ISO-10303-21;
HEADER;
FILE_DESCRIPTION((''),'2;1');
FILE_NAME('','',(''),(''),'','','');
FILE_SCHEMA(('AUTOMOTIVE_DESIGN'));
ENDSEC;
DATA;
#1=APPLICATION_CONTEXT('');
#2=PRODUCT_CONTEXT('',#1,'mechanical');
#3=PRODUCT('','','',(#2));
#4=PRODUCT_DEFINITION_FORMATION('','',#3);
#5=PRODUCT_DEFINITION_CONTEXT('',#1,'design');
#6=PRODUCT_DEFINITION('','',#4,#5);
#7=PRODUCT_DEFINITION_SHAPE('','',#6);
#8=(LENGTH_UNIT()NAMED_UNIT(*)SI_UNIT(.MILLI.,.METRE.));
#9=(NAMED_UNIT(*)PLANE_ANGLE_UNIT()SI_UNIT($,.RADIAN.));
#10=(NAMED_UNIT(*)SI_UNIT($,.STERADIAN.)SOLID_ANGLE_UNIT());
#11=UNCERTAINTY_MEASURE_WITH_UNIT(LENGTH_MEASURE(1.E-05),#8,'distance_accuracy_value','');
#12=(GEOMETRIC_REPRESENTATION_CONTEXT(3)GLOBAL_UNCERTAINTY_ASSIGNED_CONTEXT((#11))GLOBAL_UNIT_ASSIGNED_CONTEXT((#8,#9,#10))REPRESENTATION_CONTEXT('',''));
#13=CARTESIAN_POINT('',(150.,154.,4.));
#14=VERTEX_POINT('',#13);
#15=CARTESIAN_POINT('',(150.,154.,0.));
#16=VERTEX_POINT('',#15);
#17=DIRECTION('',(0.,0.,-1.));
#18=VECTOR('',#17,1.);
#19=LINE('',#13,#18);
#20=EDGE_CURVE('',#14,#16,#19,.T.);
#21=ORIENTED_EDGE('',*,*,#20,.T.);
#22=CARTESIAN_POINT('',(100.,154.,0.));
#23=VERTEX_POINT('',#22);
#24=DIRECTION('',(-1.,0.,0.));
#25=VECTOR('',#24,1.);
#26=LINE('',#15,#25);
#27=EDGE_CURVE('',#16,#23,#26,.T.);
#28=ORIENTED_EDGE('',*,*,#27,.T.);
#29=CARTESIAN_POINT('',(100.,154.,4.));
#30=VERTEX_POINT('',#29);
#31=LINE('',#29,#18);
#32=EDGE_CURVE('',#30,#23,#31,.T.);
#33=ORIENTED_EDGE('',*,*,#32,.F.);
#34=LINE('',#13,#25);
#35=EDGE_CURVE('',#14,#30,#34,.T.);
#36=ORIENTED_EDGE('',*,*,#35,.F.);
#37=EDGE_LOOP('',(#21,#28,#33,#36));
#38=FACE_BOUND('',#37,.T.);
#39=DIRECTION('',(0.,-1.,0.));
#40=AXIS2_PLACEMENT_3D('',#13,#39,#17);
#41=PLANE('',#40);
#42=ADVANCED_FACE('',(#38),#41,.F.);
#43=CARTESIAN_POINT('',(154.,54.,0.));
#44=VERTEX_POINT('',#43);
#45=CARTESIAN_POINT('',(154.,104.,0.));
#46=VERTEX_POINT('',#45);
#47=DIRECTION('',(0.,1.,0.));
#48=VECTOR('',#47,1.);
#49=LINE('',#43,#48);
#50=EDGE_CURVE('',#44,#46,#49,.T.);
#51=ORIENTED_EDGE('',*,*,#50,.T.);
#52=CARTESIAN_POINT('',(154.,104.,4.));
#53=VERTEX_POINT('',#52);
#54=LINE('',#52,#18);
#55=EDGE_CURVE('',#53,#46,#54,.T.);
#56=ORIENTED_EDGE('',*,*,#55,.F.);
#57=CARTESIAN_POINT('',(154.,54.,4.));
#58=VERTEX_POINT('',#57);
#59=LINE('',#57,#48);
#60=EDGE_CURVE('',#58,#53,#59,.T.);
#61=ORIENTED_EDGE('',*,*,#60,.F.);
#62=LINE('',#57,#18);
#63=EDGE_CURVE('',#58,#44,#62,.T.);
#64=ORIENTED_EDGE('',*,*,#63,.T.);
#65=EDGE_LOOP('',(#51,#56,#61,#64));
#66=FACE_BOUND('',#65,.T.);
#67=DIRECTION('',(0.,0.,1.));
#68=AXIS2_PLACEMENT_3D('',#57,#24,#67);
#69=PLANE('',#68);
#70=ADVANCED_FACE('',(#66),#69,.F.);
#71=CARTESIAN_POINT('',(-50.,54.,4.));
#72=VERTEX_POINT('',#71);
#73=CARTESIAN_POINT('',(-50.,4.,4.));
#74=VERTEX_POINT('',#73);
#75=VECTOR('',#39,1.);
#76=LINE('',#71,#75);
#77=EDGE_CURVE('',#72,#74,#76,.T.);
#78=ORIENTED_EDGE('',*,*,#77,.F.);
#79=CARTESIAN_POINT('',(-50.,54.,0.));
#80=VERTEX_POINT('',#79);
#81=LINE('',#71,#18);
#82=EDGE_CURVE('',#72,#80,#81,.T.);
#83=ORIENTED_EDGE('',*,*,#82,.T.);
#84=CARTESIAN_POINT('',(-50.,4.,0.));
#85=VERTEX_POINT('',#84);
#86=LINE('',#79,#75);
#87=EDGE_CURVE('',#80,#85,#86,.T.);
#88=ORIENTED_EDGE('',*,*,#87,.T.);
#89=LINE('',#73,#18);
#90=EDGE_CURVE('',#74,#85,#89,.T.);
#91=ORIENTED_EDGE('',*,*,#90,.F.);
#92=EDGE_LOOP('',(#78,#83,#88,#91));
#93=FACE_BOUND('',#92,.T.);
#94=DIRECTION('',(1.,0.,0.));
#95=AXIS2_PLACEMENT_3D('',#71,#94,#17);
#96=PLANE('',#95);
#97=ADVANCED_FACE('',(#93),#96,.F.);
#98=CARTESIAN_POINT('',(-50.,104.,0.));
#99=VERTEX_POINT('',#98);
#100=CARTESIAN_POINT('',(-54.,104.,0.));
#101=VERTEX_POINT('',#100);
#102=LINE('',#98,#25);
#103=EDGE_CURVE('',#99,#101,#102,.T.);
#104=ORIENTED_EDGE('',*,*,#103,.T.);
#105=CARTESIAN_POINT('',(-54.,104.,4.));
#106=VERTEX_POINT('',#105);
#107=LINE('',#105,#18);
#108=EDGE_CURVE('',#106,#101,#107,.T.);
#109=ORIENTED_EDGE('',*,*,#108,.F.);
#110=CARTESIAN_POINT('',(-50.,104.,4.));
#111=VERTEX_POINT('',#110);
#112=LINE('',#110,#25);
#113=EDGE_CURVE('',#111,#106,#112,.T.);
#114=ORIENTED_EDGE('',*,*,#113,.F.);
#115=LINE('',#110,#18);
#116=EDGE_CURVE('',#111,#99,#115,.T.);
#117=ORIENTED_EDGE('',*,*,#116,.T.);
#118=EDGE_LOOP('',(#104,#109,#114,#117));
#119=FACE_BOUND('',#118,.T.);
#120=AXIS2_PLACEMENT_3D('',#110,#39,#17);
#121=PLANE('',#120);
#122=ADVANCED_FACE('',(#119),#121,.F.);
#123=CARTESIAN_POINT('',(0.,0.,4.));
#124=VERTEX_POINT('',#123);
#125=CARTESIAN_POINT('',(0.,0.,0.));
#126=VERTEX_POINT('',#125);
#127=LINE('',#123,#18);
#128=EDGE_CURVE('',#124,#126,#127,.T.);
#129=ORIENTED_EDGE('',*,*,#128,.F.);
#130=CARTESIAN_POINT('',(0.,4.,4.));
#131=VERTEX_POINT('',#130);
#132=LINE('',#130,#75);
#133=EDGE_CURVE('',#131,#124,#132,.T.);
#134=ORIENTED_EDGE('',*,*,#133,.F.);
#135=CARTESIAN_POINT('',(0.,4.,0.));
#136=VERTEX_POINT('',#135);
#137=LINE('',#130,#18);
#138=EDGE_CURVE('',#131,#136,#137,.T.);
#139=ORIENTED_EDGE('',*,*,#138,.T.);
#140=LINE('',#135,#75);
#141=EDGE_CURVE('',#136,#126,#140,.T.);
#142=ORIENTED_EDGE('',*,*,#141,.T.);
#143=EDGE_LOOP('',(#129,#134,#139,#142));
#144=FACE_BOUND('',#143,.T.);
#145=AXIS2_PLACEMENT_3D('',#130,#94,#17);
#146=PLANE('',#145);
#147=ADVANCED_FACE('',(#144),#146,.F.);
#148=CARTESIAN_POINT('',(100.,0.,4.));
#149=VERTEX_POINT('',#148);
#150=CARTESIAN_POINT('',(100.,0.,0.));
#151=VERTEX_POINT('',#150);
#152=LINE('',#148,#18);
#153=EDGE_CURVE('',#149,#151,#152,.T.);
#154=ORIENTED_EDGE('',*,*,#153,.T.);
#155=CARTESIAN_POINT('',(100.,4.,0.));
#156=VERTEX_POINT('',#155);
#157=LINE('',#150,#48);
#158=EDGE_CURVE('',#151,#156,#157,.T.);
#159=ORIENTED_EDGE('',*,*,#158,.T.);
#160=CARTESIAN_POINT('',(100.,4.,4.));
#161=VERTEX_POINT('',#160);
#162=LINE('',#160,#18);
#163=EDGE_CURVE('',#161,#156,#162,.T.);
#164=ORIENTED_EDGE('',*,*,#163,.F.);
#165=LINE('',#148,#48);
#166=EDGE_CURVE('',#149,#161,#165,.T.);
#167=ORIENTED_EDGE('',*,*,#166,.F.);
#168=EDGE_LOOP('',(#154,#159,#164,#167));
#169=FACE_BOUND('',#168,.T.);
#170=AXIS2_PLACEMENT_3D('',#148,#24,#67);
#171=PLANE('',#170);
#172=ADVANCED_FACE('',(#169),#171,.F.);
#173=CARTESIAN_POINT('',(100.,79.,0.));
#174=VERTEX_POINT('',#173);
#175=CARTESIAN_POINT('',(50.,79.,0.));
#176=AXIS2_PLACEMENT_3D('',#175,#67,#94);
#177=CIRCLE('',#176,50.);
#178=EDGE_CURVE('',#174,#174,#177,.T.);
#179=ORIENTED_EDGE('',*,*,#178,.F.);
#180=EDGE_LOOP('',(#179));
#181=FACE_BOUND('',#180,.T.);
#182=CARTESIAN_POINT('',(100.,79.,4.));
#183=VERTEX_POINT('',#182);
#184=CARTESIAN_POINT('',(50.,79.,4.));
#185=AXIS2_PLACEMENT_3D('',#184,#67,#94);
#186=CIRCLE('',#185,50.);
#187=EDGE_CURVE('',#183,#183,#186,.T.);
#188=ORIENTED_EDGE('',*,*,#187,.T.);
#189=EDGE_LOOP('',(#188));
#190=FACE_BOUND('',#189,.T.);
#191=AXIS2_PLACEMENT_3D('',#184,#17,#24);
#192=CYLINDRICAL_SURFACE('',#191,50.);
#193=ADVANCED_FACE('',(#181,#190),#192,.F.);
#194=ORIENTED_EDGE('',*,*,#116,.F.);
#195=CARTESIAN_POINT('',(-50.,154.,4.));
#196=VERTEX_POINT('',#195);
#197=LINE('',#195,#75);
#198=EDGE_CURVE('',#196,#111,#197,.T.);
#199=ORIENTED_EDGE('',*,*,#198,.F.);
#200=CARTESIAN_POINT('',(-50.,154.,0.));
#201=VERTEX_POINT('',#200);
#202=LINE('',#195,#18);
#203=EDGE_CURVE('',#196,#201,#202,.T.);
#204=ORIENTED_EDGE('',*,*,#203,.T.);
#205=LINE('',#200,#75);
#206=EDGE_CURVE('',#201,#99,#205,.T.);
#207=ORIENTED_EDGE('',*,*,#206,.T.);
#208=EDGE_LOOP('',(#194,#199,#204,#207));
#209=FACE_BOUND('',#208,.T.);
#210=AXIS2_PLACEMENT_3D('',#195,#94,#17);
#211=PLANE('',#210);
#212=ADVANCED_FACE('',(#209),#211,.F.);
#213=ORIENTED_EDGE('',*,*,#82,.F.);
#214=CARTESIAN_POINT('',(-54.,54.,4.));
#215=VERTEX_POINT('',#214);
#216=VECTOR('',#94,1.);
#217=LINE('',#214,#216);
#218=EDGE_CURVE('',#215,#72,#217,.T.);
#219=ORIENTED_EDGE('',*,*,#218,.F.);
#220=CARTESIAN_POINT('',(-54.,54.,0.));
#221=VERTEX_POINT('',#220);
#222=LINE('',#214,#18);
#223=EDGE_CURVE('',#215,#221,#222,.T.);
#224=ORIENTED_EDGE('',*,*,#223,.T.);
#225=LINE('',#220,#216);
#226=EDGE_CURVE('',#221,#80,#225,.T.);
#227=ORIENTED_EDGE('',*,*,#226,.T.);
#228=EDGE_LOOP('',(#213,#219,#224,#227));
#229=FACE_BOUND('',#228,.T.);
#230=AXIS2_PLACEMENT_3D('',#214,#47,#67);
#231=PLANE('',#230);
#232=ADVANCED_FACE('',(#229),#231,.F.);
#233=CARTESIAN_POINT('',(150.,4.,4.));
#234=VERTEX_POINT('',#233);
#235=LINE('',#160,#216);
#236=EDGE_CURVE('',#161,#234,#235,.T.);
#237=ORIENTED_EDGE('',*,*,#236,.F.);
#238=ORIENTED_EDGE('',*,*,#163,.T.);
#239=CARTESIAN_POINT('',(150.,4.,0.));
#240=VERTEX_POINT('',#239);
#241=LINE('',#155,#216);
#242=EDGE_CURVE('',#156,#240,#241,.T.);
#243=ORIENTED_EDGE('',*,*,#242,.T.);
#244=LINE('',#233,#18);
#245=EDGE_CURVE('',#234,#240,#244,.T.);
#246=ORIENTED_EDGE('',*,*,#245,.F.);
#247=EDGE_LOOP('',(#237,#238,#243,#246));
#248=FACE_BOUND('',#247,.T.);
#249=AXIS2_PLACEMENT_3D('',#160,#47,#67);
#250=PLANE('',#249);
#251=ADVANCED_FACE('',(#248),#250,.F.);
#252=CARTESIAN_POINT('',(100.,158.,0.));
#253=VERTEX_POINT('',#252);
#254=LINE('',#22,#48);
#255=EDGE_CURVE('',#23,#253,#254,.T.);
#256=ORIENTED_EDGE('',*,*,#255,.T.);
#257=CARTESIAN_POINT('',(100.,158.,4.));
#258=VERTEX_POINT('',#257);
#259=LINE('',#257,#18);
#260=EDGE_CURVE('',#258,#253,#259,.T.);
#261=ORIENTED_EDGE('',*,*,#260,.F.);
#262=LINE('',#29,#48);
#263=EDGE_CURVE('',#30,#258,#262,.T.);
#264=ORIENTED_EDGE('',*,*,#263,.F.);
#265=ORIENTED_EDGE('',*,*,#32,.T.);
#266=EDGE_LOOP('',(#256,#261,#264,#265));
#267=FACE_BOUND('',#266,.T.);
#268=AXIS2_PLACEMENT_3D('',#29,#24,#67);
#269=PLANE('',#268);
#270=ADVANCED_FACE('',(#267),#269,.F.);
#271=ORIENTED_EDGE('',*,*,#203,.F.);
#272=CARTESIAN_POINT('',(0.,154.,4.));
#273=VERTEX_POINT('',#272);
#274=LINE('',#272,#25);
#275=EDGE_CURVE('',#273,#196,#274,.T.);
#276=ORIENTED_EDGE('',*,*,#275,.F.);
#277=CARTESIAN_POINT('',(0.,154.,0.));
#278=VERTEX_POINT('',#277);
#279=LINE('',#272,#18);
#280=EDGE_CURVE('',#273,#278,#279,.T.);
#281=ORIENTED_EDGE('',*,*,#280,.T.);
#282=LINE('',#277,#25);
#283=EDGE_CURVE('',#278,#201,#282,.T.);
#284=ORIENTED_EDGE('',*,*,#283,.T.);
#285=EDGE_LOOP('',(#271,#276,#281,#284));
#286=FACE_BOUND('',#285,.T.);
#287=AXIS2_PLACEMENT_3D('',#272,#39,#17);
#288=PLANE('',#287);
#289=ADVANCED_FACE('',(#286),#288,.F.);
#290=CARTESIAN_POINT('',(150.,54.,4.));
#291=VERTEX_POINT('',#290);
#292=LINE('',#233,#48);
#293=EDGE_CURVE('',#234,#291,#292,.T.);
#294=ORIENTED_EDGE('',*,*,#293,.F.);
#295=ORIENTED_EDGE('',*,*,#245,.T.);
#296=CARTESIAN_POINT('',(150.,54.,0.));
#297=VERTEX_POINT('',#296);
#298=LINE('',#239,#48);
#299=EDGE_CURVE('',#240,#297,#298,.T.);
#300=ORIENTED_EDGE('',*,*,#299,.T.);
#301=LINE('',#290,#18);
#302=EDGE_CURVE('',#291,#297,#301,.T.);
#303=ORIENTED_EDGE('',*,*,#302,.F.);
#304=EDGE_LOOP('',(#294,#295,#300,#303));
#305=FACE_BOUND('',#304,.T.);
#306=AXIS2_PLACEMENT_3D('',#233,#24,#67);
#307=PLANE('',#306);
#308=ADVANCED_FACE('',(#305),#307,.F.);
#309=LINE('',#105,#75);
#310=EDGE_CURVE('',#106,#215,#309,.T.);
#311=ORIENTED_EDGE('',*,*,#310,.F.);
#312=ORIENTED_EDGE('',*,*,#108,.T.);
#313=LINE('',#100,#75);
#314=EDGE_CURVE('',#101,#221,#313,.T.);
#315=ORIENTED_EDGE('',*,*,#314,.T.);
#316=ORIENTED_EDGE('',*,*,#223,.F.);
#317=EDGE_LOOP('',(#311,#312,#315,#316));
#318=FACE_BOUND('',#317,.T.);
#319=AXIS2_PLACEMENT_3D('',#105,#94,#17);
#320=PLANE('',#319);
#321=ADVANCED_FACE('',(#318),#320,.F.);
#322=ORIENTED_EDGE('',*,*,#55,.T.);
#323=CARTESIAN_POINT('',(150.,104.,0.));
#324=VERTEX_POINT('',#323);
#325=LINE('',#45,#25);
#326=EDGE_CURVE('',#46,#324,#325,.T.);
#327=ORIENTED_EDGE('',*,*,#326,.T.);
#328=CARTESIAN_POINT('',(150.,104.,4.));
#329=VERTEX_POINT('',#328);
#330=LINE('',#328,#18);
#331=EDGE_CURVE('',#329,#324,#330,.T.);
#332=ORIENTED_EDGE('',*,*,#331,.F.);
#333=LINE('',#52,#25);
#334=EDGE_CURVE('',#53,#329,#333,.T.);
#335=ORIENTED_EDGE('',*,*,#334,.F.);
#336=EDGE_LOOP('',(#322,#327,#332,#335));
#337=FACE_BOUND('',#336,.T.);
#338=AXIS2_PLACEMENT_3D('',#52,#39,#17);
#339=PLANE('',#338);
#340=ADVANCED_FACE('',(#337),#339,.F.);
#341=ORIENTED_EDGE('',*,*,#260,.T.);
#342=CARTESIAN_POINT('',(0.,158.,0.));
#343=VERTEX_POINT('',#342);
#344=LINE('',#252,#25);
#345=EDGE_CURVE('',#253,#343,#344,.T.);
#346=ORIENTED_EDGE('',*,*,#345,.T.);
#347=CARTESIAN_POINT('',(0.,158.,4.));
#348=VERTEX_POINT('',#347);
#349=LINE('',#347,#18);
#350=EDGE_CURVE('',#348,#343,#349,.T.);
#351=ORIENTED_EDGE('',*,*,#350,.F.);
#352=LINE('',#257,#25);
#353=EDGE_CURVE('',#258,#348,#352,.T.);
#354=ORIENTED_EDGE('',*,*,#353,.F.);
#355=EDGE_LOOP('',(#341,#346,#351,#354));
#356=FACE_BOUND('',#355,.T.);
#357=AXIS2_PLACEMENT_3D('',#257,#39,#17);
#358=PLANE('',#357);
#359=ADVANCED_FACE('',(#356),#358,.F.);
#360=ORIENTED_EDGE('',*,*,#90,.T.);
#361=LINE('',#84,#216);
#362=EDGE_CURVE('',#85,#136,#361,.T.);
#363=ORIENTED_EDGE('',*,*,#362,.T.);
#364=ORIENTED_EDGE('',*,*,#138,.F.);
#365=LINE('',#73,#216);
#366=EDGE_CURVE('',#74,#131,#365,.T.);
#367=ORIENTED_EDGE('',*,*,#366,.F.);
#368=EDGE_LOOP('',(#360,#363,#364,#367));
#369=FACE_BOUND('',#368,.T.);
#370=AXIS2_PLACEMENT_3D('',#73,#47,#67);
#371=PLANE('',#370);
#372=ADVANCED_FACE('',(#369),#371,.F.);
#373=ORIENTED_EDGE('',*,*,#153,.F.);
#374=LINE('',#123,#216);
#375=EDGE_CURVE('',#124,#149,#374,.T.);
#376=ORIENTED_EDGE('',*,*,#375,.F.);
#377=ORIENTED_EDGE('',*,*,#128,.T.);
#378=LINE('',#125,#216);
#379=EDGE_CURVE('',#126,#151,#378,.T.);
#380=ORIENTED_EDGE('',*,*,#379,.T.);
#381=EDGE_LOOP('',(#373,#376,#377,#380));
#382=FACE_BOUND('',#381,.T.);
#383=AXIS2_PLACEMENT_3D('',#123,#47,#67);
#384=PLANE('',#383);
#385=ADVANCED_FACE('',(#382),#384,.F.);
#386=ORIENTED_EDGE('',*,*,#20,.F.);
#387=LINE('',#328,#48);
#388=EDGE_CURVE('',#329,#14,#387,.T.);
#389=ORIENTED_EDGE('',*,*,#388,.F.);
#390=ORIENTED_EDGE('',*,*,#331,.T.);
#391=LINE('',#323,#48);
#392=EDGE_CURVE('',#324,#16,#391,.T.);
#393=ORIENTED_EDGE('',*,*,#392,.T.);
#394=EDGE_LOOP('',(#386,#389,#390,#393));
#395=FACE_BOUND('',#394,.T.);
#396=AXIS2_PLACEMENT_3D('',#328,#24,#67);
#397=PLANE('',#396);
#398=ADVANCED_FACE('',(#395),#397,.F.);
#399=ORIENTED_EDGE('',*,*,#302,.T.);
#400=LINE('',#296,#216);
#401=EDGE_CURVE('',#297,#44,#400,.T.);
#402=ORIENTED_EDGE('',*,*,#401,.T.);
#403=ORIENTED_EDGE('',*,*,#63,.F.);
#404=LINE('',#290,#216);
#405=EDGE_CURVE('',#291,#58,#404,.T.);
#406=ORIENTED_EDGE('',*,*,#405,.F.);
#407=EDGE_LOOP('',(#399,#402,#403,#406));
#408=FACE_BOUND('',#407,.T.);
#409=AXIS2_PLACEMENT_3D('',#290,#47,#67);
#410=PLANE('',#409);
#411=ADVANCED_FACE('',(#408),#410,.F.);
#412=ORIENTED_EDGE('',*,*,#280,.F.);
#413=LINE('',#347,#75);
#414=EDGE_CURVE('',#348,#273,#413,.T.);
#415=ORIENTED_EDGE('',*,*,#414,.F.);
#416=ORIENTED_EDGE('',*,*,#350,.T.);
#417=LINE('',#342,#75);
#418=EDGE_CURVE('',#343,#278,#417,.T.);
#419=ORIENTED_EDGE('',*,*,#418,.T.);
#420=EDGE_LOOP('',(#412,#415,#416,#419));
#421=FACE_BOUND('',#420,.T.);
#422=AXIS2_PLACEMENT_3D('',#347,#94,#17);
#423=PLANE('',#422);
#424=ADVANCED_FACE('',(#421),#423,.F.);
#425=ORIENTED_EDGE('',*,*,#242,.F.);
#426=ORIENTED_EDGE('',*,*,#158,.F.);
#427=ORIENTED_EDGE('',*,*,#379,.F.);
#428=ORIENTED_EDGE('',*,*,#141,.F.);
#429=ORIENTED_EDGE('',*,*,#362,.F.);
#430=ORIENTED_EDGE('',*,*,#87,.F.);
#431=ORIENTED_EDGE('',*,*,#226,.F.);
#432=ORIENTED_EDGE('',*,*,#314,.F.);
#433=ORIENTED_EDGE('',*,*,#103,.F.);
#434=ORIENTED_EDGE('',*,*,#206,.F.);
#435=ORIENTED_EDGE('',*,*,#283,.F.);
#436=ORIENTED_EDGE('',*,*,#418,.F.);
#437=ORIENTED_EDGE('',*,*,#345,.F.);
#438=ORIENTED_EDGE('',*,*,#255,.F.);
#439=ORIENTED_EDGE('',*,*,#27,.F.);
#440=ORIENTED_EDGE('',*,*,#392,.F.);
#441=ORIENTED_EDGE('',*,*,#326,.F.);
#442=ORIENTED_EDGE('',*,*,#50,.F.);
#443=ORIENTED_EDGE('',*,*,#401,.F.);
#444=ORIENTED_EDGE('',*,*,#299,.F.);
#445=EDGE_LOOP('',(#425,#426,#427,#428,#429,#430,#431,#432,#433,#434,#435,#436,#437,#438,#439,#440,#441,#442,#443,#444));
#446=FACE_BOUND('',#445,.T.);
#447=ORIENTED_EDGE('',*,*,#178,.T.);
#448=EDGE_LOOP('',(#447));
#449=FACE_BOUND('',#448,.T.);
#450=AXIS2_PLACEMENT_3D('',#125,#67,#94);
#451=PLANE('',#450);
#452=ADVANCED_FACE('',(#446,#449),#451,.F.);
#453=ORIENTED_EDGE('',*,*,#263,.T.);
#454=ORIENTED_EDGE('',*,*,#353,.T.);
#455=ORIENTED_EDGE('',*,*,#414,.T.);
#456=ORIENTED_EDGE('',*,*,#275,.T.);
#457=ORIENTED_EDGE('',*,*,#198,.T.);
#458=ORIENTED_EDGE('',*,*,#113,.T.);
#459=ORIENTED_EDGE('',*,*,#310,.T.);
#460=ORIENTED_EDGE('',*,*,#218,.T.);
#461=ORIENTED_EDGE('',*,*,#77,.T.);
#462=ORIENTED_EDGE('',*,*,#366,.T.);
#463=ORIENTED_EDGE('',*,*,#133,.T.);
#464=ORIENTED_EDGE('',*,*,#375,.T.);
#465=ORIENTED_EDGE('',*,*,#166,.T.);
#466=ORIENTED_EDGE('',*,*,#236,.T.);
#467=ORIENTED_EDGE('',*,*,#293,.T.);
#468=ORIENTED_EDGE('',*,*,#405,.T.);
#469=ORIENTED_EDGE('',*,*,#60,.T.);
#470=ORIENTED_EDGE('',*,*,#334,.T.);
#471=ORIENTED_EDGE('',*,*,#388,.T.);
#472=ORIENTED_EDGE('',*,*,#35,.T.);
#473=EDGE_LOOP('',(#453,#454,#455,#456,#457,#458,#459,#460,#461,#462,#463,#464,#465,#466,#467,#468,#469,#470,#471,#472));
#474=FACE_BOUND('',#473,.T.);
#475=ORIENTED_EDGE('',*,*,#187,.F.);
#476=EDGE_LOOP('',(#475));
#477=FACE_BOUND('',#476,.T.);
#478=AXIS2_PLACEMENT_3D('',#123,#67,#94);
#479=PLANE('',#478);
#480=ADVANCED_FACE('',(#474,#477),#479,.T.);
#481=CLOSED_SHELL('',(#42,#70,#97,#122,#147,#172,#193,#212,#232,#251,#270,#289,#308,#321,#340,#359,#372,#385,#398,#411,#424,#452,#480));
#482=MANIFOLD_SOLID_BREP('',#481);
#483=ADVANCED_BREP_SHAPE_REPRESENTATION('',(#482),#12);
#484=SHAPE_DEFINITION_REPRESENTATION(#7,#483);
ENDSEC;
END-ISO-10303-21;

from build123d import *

# Parameters (mm, degrees)
SKETCH1_R           = 50
BOSS_EXTRUDE1_DEPTH = 4


with BuildPart() as part:
    # Sketch1 → Boss-Extrude1 (new body)
    with BuildSketch(Plane.XY):
        Polygon((0, 0), (100, 0), (100, 4), (150, 4), (150, 54), (154, 54), (154, 104), (150, 104), (150, 154), (100, 154), (100, 158), (0, 158), (0, 154), (-50, 154), (-50, 104), (-54, 104), (-54, 54), (-50, 54), (-50, 4), (0, 4), align=None)
        with Locations((50, 79)):
            Circle(SKETCH1_R, mode=Mode.SUBTRACT)
    extrude(amount=BOSS_EXTRUDE1_DEPTH)


solid = part.part
